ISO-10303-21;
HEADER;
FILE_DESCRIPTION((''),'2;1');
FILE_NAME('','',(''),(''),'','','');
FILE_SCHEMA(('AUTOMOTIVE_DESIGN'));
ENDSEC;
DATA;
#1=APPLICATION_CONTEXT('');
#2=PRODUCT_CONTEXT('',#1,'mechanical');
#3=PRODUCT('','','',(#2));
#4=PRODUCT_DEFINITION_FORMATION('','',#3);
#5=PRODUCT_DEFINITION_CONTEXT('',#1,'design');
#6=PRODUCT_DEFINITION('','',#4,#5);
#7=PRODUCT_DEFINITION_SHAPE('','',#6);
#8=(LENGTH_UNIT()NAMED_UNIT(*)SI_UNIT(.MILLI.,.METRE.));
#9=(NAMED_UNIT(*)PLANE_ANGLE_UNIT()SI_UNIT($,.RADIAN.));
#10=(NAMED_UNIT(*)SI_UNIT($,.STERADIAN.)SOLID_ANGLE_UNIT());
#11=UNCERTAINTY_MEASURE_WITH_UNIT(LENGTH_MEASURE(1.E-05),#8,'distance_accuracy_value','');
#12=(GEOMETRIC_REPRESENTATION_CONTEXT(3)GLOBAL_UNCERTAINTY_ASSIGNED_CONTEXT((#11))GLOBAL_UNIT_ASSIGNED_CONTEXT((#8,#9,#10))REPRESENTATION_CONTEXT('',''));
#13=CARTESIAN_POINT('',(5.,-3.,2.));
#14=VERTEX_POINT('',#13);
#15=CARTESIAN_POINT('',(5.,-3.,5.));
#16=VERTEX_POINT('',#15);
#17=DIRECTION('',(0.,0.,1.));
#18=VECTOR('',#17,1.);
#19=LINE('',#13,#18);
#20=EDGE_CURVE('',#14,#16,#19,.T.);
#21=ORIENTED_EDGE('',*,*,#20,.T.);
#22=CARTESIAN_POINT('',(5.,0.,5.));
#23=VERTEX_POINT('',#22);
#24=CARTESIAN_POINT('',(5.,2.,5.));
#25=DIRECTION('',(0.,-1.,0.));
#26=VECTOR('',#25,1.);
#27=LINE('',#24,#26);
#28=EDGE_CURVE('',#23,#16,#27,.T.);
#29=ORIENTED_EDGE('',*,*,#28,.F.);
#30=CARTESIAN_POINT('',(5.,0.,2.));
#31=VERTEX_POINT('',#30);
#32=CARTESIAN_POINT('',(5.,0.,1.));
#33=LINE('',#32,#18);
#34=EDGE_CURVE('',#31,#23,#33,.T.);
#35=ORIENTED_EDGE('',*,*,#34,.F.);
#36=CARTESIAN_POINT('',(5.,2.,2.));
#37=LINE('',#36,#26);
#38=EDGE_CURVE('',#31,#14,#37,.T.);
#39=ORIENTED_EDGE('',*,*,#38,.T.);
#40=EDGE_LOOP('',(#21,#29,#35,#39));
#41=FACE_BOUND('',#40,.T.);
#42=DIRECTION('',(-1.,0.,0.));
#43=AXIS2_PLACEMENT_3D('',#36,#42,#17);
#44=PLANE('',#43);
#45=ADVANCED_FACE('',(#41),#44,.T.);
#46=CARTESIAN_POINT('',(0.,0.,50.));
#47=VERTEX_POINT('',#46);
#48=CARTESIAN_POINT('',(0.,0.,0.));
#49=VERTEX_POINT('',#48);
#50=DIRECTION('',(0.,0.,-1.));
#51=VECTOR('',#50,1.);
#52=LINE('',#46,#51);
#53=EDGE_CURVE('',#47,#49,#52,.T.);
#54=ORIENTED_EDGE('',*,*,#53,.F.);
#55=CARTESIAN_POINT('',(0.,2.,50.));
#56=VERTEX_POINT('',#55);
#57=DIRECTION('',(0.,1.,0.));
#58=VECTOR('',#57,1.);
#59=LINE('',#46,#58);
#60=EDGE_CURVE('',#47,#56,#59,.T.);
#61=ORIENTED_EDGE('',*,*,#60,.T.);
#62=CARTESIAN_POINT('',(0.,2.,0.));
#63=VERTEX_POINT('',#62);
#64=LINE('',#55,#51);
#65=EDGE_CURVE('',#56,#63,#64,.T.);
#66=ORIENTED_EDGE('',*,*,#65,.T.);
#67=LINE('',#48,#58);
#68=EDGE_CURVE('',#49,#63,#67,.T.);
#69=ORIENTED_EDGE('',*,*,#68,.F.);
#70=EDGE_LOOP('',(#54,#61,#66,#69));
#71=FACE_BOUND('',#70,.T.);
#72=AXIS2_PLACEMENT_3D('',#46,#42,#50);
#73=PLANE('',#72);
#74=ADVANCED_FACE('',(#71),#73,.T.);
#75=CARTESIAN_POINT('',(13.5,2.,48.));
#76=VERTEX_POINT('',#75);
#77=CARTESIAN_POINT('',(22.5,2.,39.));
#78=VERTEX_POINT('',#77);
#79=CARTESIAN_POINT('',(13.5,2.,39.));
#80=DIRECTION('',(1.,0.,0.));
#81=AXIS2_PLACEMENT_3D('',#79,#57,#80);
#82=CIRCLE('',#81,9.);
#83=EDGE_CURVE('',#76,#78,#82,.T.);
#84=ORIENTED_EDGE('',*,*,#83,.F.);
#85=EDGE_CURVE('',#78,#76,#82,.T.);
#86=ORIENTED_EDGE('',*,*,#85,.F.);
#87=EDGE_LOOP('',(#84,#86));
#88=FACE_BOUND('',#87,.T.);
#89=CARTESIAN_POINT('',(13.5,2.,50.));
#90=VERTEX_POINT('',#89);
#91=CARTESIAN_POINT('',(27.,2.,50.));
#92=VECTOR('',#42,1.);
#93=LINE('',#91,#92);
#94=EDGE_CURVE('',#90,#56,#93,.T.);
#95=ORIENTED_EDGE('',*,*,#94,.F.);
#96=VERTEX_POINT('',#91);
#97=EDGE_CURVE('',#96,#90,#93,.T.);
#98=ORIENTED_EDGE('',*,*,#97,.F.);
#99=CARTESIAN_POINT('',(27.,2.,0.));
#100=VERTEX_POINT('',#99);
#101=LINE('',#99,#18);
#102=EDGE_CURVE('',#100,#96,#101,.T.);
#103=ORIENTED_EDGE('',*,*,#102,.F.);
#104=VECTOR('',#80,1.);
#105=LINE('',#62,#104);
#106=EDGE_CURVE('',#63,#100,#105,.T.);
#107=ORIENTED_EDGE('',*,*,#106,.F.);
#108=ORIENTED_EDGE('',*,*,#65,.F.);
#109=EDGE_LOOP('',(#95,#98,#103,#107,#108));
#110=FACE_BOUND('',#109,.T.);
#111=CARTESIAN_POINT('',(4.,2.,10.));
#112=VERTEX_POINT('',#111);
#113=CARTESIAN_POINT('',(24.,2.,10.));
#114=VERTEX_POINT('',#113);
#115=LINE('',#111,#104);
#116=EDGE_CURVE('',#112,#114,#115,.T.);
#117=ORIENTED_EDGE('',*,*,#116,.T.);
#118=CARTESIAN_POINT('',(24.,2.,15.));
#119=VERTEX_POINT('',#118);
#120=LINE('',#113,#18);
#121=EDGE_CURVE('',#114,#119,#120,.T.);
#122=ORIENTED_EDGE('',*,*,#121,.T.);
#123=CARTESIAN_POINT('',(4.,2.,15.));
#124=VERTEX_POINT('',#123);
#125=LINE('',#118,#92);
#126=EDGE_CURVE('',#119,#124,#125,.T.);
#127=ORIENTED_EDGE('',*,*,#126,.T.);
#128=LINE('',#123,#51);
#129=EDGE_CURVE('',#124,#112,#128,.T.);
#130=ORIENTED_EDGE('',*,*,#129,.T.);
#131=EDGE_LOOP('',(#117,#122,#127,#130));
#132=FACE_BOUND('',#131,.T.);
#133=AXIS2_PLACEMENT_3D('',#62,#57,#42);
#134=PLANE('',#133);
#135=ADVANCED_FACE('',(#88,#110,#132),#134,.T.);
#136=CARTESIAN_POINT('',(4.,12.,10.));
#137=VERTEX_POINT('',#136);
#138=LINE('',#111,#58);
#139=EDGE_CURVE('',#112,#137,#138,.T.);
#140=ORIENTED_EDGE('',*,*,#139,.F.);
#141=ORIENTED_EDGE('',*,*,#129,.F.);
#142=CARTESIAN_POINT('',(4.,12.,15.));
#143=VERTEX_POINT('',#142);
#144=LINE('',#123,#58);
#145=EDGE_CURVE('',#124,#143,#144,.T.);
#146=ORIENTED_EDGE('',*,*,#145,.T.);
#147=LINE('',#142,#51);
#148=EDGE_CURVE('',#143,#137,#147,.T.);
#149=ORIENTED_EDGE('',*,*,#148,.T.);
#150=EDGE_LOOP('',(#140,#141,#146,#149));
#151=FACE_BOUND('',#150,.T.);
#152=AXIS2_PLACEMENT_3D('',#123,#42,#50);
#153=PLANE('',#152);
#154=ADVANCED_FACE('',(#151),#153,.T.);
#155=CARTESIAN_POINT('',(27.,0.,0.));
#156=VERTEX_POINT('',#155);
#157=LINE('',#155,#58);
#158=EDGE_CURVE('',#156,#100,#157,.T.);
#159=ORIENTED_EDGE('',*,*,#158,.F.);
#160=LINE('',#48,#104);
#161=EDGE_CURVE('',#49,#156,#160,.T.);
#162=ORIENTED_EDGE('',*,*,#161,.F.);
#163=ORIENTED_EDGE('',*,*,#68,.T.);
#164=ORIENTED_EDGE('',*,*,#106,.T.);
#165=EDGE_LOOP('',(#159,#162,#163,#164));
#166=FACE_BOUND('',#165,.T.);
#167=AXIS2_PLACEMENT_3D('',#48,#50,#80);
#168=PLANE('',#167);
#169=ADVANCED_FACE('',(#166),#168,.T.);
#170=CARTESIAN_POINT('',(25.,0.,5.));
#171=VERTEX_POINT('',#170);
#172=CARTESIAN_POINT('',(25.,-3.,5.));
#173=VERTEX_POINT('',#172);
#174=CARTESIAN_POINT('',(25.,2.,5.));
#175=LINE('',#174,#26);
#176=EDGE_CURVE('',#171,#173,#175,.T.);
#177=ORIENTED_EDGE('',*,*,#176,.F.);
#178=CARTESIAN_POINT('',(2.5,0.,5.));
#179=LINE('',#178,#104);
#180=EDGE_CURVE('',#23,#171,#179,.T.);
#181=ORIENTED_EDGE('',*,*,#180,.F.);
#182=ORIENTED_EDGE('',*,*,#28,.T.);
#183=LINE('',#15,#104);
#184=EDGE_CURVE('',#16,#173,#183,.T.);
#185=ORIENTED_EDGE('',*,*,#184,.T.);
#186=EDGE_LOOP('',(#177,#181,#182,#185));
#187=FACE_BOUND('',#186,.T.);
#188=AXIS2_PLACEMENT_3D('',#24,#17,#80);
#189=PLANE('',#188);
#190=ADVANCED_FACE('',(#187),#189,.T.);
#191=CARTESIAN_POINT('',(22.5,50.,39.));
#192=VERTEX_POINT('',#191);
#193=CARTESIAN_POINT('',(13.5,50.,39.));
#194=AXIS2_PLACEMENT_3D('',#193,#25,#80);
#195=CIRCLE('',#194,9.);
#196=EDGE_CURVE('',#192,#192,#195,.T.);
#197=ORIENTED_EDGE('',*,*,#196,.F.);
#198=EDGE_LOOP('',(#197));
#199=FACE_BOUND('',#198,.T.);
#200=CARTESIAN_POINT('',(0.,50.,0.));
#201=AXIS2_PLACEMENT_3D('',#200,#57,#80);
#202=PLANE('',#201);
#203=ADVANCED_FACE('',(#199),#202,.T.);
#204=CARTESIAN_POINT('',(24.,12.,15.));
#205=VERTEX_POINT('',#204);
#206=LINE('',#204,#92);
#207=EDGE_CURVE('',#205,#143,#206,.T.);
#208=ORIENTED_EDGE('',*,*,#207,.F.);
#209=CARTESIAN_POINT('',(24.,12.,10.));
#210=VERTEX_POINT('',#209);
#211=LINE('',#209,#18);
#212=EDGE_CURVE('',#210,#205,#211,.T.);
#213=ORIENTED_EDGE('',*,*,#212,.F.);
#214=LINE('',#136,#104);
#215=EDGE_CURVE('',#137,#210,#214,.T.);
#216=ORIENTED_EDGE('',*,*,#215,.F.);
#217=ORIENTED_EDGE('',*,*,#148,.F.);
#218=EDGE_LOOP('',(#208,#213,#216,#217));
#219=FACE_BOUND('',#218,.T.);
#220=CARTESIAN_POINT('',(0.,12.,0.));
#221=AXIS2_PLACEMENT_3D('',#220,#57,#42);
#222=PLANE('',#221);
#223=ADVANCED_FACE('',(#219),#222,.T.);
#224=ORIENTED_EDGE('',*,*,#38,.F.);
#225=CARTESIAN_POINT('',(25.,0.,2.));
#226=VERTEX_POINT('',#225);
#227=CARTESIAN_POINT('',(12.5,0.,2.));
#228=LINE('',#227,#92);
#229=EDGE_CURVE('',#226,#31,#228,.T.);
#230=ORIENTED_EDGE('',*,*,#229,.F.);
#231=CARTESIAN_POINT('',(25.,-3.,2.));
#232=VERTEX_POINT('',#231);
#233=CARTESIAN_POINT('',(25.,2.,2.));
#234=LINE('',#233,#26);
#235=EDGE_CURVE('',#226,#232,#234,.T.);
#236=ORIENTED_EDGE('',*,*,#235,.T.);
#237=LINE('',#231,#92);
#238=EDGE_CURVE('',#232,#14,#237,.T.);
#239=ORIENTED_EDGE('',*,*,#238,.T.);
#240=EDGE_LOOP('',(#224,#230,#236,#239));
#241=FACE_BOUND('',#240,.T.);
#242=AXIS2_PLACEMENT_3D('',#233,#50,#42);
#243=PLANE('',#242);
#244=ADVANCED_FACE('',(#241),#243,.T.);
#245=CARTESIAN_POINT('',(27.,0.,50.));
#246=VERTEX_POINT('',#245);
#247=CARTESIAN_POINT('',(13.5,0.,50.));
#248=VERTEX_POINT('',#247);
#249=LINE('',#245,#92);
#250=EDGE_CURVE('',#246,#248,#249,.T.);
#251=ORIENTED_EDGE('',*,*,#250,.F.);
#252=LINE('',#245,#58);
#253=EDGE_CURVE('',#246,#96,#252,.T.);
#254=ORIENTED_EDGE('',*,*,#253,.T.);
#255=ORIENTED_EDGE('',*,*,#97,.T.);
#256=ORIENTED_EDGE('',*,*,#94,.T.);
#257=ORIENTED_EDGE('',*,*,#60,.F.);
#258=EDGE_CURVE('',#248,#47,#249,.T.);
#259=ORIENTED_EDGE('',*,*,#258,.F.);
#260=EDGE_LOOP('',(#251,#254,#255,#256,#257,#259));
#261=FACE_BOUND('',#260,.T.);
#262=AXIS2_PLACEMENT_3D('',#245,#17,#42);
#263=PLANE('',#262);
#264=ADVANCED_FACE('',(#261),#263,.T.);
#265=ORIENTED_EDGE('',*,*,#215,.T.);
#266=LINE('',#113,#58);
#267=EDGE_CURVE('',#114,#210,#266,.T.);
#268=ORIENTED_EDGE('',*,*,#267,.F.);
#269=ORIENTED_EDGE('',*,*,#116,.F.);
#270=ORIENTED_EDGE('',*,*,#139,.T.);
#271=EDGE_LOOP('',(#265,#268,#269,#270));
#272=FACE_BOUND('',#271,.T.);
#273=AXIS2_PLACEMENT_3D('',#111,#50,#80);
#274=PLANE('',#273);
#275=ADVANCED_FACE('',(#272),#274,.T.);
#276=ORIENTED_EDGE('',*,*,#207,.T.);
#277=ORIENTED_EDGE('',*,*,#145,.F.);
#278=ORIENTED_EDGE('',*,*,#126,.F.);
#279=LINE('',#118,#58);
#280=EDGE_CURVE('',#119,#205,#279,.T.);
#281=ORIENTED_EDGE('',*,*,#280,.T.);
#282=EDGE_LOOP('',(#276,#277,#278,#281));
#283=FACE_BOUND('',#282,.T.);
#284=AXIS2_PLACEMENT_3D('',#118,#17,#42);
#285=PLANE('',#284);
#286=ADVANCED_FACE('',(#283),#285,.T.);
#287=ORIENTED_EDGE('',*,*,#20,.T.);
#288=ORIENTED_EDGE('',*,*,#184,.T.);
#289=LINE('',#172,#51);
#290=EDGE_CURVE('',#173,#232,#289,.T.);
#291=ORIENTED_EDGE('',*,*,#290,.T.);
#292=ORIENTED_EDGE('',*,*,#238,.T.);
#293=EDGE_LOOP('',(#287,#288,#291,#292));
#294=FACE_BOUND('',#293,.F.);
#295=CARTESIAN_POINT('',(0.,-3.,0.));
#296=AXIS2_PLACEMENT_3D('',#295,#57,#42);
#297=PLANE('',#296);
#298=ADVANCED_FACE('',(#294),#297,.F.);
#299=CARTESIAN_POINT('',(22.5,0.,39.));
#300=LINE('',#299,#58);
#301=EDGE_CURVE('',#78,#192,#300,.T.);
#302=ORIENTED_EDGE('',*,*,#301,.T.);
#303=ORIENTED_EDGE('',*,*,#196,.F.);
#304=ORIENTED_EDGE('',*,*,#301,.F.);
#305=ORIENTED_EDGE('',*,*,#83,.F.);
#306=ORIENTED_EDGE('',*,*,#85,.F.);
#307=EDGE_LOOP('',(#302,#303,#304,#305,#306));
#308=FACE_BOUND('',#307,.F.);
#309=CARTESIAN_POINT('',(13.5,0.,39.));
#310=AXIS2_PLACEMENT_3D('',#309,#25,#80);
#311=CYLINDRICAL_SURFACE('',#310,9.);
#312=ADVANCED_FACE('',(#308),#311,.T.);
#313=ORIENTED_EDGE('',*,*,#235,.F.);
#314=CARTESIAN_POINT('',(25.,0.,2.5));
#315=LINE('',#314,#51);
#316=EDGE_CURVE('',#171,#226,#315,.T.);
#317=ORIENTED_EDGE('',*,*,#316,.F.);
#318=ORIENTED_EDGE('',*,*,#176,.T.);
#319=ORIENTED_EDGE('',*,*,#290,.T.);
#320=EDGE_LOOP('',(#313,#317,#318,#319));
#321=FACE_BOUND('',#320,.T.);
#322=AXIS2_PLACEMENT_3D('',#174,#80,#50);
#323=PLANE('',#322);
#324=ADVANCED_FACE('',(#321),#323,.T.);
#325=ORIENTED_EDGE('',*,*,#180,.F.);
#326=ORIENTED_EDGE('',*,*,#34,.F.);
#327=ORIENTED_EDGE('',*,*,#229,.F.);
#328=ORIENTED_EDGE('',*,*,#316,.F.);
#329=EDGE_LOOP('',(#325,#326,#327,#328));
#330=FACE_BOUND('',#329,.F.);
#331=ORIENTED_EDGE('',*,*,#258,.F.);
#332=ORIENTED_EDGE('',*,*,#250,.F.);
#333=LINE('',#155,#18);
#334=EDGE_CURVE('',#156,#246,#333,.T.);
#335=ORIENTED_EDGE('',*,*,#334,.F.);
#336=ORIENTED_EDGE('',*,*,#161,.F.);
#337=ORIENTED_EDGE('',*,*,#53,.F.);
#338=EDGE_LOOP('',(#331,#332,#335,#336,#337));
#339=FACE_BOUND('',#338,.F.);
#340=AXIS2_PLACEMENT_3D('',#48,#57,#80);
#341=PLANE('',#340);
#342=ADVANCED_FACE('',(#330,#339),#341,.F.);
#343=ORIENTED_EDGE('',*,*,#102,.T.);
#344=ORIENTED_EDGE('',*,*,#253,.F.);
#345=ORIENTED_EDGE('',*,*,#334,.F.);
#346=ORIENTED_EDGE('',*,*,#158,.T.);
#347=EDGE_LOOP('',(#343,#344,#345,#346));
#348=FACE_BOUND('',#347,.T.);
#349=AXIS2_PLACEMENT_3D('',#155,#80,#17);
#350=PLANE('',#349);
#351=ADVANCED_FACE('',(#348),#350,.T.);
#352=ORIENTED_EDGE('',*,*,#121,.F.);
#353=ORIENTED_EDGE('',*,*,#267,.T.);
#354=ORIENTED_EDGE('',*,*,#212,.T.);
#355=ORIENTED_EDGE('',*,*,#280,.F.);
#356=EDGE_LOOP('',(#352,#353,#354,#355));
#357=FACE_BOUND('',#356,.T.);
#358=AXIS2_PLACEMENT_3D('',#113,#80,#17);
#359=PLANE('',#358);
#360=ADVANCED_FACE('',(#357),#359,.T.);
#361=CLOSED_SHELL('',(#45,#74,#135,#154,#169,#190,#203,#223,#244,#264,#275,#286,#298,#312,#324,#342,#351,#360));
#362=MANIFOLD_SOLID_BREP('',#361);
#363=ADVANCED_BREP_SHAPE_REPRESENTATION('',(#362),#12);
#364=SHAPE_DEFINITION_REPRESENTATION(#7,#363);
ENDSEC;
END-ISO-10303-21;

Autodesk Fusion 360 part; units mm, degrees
sketch "Skizze1" plane through (0, 0, 0) normal (0, 1, 0) x (1, 0, 0)
  line L0 (0, 0) -> (27, 0)
  line L1 (27, 0) -> (27, -50)
  line L2 (27, -50) -> (0, -50)
  line L3 (0, -50) -> (0, 0)
  line L4 (13.5, -50) -> (13.5, -39)
  circle A0 centre (13.5, -39) radius 9
  dimension "d1" = 50
  dimension "d2" = 27
  dimension "d3" = 11
  dimension "d4" = 18
extrude "Extrusion1" add sketch "Skizze1" along normal blind 50 contours A0 makes body 1
extrude "Extrusion2" add sketch "Skizze1" along normal blind 2 bodies 1
sketch "Skizze2" plane through (0, 2, 0) normal (0, 1, 0) x (-1, 0, 0)
  circle A0 centre (-13.5, 39) radius 9
  line L0 (0, 50) -> (-27, 50)
  line L1 (-27, 50) -> (-27, 0)
  line L2 (-27, 0) -> (0, 0)
  line L3 (0, 0) -> (0, 50)
  line L4 (0, 0) -> (-4, 0)
  line L5 (-4, 0) -> (-4, 10)
  line L6 (-4, 10) -> (0, 10)
  line L7 (0, 10) -> (0, 0)
  line L8 (-4, 10) -> (-24, 10)
  line L9 (-24, 10) -> (-24, 15)
  line L10 (-24, 15) -> (-4, 15)
  line L11 (-4, 15) -> (-4, 10)
  dimension "d9" = 10
  dimension "d10" = 4
  dimension "d11" = 20
  dimension "d12" = 5
extrude "Extrusion3" add sketch "Skizze2" along normal blind 10 contours L8 L9 L10 L11 bodies 1
sketch "Skizze3" plane through (0, 2, 0) normal (0, 1, 0) x (-1, 0, 0)
  line L0 (-4, 15) -> (-4, 10)
  line L1 (-4, 10) -> (-24, 10)
  line L2 (-24, 10) -> (-24, 15)
  line L3 (-24, 15) -> (-4, 15)
  circle A0 centre (-13.5, 39) radius 9
  line L4 (0, 50) -> (-27, 50)
  line L5 (-27, 50) -> (-27, 0)
  line L6 (-27, 0) -> (0, 0)
  line L7 (0, 0) -> (0, 50)
  line L8 (-5, 5) -> (-25, 5)
  line L9 (-25, 5) -> (-25, 2)
  line L10 (-25, 2) -> (-5, 2)
  line L11 (-5, 2) -> (-5, 5)
  dimension "d15" = 20
  dimension "d16" = 3
extrude "Extrusion4" add sketch "Skizze3" against normal blind 5 contours L8 L9 L10 L11 bodies 1
copy_body "Körper->Berechn1" bodies 1 removing the originals makes body 2 in component "nixie_modul"
component "nixie_modul" placed x (1, 0, 0) y (0, 1, 0) z (0, 0, 1) at (0, 0, 0)
